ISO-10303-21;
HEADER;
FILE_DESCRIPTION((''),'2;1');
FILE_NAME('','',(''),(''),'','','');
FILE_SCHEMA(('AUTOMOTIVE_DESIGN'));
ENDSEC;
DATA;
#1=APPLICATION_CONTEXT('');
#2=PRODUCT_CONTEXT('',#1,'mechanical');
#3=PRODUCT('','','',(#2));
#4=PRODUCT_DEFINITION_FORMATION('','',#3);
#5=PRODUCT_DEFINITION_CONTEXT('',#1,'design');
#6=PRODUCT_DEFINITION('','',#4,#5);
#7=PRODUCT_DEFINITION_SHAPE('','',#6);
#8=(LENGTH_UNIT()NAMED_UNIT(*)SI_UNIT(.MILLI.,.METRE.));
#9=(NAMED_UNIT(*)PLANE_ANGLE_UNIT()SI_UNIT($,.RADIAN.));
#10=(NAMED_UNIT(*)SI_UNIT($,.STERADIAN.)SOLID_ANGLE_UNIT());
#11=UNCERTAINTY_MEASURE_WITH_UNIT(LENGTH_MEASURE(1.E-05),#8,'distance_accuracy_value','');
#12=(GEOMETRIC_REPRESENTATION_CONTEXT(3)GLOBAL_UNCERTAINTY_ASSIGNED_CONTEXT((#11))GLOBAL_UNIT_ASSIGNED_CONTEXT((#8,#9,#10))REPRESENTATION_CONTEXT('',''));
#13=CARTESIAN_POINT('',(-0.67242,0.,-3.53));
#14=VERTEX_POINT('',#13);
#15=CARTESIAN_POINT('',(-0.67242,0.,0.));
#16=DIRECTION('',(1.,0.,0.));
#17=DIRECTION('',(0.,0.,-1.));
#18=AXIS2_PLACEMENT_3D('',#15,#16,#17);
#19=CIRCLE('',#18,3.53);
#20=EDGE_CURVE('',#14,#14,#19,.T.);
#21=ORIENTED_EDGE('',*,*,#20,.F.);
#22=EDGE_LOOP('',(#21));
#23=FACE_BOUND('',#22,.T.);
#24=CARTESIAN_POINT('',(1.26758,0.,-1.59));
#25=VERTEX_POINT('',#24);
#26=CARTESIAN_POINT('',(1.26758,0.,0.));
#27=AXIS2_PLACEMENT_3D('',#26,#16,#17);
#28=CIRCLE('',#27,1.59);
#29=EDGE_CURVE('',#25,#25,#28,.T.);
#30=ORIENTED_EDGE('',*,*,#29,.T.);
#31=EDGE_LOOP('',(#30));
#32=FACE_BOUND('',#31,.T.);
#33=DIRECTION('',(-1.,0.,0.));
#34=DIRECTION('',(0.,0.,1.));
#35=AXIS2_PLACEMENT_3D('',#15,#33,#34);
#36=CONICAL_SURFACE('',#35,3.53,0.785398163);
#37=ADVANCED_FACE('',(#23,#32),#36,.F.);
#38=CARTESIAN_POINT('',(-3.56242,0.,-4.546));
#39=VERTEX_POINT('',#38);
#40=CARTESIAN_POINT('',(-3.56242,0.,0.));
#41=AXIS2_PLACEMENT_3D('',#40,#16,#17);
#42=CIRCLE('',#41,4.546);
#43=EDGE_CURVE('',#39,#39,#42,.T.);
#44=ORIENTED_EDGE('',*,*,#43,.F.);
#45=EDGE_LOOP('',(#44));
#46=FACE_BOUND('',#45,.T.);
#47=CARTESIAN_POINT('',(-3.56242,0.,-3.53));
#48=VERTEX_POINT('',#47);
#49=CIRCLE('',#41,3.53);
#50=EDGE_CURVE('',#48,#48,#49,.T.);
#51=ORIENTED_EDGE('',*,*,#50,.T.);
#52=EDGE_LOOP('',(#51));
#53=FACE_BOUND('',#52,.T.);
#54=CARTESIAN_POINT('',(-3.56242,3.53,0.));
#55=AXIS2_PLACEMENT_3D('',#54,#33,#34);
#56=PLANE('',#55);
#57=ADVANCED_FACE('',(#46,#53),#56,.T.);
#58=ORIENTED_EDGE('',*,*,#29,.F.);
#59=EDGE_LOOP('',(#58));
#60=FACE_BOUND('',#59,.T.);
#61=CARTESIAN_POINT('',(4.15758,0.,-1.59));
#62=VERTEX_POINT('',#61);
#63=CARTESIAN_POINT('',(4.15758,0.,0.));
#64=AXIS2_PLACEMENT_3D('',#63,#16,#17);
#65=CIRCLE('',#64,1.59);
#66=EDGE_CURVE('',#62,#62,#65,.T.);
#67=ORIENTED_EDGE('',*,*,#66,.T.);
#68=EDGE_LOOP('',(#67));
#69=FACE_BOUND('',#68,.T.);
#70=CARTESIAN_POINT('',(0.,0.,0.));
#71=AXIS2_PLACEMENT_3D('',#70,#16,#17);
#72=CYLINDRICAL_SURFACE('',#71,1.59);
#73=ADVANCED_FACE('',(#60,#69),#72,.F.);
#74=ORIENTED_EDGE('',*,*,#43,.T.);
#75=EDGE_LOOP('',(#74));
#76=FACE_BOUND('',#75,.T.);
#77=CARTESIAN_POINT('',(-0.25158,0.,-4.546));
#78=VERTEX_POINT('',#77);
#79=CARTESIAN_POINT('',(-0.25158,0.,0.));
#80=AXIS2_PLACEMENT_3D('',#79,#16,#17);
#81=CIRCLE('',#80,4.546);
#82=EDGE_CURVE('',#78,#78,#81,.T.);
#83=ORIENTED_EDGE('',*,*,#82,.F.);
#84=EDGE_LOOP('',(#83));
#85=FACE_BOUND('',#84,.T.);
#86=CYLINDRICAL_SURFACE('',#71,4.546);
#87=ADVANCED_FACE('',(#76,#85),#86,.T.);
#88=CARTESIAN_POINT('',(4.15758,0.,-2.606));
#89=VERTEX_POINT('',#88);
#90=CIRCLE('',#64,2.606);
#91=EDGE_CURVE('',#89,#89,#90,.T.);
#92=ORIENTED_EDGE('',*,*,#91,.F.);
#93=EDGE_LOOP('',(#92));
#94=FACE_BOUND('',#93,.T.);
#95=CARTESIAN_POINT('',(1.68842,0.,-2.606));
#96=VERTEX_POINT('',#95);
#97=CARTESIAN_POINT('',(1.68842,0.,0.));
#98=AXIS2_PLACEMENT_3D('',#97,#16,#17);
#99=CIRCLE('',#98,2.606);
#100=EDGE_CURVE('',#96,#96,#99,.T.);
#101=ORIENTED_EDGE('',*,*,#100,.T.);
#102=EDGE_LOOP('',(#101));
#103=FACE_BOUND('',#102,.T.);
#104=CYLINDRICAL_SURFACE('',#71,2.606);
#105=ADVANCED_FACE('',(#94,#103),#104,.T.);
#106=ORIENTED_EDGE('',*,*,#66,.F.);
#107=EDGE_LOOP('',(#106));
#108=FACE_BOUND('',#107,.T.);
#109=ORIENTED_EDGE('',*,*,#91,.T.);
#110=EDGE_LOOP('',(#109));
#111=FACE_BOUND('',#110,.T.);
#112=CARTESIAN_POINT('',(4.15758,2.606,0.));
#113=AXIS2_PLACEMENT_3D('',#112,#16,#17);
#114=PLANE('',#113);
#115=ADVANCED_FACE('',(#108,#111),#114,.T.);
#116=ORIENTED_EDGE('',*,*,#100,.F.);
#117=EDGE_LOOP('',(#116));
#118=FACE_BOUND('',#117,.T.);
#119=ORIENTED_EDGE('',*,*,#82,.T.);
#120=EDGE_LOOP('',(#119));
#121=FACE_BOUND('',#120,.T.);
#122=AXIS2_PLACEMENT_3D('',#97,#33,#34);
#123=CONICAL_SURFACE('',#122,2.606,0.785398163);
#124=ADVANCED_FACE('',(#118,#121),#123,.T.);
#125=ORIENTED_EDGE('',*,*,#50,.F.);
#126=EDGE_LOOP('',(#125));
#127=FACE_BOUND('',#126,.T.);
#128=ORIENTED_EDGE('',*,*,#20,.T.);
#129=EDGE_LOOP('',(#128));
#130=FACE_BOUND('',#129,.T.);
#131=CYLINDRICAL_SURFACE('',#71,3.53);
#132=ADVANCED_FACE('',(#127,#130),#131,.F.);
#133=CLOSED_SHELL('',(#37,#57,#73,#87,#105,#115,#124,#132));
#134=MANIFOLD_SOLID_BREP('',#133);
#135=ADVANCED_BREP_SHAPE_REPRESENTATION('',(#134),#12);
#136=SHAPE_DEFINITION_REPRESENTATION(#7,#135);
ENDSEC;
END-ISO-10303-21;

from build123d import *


with BuildPart() as part:
    # Sketch1 → Revolve1 (revolve)
    with BuildSketch(Plane.XY, mode=Mode.PRIVATE) as revolve1_sk:
        Polygon((-3.56242049, 4.546), (-0.25157951, 4.546), (1.68842049, 2.606), (4.15757951, 2.606), (4.15757951, 1.59), (1.26757951, 1.59), (-0.67242049, 3.53), (-3.56242049, 3.53), align=None)
    revolve(revolve1_sk.sketch.rotate(Axis((0, 0, 0), (-1, 0, 0)), 90), axis=Axis((0, 0, 0), (-1, 0, 0)))


solid = part.part
